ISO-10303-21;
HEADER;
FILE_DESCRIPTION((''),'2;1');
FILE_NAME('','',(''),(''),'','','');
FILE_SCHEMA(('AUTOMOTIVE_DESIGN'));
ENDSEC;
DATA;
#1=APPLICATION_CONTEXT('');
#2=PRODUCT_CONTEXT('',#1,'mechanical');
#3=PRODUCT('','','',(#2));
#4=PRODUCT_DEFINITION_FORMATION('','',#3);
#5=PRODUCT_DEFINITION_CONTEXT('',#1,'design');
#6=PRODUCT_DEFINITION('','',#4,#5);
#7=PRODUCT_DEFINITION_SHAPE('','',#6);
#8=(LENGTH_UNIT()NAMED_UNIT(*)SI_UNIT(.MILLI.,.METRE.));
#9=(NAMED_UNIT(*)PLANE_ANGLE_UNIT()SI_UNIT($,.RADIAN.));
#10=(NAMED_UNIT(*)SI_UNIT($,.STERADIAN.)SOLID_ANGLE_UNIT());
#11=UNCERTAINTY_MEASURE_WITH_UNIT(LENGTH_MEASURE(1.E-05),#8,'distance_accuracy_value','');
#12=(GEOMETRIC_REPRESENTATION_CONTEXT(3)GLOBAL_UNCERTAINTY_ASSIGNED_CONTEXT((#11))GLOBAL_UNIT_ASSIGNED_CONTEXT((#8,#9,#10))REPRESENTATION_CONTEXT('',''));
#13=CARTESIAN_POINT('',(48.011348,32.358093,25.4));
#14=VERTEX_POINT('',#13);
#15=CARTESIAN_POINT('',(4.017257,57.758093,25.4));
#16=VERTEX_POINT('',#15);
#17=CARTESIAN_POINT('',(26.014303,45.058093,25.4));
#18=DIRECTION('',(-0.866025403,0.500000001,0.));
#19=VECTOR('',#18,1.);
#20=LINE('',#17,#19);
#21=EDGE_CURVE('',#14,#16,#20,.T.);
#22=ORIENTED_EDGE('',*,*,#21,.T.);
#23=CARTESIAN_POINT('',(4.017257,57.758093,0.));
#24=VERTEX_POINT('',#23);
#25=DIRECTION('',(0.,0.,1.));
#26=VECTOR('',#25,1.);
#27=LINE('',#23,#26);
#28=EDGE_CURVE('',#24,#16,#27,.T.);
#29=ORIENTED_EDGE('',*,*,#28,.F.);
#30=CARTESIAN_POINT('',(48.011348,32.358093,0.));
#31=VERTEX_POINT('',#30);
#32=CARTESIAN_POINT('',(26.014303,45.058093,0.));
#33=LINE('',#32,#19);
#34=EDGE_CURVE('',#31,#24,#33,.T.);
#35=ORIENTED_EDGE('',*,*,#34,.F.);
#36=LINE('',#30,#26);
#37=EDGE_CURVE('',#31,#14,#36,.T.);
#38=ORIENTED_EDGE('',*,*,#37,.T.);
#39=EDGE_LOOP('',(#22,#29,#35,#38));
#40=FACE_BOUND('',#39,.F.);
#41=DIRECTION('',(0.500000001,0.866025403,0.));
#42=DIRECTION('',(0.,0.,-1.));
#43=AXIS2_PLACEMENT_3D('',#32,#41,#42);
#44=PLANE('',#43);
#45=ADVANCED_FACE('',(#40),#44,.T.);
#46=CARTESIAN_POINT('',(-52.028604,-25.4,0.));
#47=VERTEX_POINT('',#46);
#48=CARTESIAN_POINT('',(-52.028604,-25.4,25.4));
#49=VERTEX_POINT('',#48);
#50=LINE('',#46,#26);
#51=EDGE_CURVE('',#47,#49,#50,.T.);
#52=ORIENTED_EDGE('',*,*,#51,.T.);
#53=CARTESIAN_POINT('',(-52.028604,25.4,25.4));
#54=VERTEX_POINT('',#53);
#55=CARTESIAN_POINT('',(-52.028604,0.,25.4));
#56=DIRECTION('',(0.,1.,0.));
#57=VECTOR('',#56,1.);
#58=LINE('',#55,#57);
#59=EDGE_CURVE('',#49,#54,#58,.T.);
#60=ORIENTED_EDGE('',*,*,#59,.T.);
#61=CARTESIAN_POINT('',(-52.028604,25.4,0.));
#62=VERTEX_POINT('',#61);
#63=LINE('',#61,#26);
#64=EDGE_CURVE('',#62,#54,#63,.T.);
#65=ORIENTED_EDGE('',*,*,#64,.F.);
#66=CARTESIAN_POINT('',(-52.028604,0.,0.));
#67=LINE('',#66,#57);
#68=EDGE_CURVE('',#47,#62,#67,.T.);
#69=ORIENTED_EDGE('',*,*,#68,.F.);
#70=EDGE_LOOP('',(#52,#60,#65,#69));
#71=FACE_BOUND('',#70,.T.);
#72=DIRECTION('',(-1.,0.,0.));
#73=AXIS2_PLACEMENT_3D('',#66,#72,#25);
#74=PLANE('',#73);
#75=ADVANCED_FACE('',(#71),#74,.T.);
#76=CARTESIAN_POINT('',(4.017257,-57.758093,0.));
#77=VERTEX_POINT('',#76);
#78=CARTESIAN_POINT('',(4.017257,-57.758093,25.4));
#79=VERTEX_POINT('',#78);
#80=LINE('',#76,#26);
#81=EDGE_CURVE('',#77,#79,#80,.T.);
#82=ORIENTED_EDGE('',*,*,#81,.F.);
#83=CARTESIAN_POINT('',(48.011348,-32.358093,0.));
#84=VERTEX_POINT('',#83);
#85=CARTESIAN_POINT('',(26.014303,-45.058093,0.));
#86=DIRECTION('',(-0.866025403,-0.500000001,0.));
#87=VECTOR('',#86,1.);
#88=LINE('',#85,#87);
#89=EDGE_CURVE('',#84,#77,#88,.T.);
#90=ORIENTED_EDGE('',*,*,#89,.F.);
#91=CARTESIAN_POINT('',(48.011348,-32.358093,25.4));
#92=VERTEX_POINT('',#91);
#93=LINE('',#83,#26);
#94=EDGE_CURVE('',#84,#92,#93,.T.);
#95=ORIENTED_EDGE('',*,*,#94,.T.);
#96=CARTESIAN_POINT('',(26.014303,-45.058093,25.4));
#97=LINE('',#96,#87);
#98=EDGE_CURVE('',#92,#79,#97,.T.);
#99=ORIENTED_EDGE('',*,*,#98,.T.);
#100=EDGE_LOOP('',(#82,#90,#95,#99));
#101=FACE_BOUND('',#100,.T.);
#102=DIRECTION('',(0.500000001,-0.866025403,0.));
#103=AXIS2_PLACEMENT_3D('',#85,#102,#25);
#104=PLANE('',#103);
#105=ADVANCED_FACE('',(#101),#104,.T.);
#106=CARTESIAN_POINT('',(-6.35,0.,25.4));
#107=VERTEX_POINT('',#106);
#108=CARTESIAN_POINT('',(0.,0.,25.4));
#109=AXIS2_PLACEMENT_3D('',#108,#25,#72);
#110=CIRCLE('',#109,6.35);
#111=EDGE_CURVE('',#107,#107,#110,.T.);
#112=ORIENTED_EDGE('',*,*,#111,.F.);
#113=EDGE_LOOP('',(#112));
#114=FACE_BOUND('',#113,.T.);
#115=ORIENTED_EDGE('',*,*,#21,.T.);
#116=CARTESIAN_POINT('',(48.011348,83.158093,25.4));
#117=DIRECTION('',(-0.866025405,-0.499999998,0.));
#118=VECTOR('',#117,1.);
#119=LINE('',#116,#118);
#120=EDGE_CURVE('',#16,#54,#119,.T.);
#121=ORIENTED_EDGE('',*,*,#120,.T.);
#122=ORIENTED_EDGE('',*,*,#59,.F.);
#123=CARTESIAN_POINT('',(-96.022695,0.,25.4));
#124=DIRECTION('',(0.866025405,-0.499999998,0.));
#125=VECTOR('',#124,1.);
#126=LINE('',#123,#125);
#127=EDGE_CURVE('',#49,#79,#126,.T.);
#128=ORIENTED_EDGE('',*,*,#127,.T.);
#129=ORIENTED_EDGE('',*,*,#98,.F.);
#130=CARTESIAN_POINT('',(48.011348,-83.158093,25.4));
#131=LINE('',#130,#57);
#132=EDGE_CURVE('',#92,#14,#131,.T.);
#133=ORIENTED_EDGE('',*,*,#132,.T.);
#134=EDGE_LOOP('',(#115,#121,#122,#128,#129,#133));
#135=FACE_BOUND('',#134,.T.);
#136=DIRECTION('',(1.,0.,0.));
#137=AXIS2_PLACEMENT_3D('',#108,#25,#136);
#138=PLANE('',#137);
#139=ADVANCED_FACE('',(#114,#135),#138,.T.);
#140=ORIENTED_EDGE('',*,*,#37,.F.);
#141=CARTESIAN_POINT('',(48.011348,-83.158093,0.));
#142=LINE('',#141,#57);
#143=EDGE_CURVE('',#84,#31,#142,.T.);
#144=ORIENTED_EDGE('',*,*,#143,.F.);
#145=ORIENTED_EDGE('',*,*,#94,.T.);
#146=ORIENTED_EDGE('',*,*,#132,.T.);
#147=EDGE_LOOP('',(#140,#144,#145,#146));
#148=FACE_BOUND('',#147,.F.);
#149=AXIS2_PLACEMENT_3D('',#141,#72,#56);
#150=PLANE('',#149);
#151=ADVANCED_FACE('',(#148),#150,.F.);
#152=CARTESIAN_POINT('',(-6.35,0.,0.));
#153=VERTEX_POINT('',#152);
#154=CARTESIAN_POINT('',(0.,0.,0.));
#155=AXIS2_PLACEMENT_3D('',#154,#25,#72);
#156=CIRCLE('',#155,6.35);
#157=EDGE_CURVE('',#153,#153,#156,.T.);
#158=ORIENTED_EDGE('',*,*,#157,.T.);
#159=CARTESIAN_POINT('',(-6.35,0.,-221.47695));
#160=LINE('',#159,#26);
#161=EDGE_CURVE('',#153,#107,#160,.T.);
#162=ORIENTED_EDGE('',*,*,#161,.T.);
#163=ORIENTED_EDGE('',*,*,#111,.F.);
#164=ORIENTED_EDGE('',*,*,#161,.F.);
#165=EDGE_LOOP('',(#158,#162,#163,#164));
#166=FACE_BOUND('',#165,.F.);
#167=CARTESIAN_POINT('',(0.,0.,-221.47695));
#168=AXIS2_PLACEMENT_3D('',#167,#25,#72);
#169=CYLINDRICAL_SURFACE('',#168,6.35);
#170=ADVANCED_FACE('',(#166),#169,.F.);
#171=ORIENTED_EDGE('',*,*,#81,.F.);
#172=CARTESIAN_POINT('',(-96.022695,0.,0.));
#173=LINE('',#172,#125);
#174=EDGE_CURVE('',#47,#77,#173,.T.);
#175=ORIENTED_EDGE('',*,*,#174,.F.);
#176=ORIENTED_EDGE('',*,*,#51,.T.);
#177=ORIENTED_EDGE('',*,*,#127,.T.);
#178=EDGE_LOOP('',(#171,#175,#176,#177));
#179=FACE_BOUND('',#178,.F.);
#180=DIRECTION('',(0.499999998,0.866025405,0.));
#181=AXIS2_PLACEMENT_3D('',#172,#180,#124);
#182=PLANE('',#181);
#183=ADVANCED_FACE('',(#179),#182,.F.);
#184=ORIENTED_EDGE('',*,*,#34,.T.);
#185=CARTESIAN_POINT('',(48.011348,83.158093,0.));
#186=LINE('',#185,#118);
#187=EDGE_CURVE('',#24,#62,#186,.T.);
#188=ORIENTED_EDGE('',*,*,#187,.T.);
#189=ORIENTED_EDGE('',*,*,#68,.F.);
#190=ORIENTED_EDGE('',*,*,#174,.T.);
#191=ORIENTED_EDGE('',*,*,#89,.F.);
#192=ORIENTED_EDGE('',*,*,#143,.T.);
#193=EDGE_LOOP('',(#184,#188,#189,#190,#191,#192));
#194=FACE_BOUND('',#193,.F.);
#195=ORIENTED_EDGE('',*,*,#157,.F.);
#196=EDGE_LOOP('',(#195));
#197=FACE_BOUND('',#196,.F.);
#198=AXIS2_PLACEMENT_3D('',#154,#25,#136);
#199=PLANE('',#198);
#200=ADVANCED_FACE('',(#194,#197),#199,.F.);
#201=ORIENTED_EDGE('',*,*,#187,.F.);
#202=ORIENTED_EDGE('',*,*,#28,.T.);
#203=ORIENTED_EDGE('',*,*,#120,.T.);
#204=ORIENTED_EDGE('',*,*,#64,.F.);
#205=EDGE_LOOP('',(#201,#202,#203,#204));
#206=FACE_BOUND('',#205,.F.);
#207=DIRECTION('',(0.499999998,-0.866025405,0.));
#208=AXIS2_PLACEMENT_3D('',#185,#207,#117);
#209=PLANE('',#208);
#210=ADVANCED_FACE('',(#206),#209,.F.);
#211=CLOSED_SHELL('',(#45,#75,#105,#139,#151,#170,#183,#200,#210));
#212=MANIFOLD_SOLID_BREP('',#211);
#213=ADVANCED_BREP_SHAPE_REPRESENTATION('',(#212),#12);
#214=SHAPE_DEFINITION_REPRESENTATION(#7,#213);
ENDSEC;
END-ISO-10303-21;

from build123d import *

# Parameters (mm, degrees)
F1_DEPTH = 25.4
F2_D     = 12.7
F3_SIZE  = 50.8


with BuildPart() as f1:
    # F0 (on Top) → F1 (new body)
    with BuildSketch(Plane.XY):
        Polygon((48.011348, -83.158093), (48.011348, 83.158093), (-96.022695, 0), align=None)
    extrude(amount=F1_DEPTH)

    # F2 (through all)
    with Locations(Plane(origin=(0, 0, 0), x_dir=(1, 0, 0), z_dir=(0, 0, -1))):
        with Locations((0, 0)):
            Hole(F2_D / 2)

    # F3
    f3_edges = [f1.edges().sort_by_distance(p)[0] for p in [
        (48.011348, -83.158093, 12.7),
        (48.011348, 83.158093, 12.7),
        (-96.022695, 0, 12.7),
    ]]
    chamfer(f3_edges, length=F3_SIZE)


solid = f1.part
